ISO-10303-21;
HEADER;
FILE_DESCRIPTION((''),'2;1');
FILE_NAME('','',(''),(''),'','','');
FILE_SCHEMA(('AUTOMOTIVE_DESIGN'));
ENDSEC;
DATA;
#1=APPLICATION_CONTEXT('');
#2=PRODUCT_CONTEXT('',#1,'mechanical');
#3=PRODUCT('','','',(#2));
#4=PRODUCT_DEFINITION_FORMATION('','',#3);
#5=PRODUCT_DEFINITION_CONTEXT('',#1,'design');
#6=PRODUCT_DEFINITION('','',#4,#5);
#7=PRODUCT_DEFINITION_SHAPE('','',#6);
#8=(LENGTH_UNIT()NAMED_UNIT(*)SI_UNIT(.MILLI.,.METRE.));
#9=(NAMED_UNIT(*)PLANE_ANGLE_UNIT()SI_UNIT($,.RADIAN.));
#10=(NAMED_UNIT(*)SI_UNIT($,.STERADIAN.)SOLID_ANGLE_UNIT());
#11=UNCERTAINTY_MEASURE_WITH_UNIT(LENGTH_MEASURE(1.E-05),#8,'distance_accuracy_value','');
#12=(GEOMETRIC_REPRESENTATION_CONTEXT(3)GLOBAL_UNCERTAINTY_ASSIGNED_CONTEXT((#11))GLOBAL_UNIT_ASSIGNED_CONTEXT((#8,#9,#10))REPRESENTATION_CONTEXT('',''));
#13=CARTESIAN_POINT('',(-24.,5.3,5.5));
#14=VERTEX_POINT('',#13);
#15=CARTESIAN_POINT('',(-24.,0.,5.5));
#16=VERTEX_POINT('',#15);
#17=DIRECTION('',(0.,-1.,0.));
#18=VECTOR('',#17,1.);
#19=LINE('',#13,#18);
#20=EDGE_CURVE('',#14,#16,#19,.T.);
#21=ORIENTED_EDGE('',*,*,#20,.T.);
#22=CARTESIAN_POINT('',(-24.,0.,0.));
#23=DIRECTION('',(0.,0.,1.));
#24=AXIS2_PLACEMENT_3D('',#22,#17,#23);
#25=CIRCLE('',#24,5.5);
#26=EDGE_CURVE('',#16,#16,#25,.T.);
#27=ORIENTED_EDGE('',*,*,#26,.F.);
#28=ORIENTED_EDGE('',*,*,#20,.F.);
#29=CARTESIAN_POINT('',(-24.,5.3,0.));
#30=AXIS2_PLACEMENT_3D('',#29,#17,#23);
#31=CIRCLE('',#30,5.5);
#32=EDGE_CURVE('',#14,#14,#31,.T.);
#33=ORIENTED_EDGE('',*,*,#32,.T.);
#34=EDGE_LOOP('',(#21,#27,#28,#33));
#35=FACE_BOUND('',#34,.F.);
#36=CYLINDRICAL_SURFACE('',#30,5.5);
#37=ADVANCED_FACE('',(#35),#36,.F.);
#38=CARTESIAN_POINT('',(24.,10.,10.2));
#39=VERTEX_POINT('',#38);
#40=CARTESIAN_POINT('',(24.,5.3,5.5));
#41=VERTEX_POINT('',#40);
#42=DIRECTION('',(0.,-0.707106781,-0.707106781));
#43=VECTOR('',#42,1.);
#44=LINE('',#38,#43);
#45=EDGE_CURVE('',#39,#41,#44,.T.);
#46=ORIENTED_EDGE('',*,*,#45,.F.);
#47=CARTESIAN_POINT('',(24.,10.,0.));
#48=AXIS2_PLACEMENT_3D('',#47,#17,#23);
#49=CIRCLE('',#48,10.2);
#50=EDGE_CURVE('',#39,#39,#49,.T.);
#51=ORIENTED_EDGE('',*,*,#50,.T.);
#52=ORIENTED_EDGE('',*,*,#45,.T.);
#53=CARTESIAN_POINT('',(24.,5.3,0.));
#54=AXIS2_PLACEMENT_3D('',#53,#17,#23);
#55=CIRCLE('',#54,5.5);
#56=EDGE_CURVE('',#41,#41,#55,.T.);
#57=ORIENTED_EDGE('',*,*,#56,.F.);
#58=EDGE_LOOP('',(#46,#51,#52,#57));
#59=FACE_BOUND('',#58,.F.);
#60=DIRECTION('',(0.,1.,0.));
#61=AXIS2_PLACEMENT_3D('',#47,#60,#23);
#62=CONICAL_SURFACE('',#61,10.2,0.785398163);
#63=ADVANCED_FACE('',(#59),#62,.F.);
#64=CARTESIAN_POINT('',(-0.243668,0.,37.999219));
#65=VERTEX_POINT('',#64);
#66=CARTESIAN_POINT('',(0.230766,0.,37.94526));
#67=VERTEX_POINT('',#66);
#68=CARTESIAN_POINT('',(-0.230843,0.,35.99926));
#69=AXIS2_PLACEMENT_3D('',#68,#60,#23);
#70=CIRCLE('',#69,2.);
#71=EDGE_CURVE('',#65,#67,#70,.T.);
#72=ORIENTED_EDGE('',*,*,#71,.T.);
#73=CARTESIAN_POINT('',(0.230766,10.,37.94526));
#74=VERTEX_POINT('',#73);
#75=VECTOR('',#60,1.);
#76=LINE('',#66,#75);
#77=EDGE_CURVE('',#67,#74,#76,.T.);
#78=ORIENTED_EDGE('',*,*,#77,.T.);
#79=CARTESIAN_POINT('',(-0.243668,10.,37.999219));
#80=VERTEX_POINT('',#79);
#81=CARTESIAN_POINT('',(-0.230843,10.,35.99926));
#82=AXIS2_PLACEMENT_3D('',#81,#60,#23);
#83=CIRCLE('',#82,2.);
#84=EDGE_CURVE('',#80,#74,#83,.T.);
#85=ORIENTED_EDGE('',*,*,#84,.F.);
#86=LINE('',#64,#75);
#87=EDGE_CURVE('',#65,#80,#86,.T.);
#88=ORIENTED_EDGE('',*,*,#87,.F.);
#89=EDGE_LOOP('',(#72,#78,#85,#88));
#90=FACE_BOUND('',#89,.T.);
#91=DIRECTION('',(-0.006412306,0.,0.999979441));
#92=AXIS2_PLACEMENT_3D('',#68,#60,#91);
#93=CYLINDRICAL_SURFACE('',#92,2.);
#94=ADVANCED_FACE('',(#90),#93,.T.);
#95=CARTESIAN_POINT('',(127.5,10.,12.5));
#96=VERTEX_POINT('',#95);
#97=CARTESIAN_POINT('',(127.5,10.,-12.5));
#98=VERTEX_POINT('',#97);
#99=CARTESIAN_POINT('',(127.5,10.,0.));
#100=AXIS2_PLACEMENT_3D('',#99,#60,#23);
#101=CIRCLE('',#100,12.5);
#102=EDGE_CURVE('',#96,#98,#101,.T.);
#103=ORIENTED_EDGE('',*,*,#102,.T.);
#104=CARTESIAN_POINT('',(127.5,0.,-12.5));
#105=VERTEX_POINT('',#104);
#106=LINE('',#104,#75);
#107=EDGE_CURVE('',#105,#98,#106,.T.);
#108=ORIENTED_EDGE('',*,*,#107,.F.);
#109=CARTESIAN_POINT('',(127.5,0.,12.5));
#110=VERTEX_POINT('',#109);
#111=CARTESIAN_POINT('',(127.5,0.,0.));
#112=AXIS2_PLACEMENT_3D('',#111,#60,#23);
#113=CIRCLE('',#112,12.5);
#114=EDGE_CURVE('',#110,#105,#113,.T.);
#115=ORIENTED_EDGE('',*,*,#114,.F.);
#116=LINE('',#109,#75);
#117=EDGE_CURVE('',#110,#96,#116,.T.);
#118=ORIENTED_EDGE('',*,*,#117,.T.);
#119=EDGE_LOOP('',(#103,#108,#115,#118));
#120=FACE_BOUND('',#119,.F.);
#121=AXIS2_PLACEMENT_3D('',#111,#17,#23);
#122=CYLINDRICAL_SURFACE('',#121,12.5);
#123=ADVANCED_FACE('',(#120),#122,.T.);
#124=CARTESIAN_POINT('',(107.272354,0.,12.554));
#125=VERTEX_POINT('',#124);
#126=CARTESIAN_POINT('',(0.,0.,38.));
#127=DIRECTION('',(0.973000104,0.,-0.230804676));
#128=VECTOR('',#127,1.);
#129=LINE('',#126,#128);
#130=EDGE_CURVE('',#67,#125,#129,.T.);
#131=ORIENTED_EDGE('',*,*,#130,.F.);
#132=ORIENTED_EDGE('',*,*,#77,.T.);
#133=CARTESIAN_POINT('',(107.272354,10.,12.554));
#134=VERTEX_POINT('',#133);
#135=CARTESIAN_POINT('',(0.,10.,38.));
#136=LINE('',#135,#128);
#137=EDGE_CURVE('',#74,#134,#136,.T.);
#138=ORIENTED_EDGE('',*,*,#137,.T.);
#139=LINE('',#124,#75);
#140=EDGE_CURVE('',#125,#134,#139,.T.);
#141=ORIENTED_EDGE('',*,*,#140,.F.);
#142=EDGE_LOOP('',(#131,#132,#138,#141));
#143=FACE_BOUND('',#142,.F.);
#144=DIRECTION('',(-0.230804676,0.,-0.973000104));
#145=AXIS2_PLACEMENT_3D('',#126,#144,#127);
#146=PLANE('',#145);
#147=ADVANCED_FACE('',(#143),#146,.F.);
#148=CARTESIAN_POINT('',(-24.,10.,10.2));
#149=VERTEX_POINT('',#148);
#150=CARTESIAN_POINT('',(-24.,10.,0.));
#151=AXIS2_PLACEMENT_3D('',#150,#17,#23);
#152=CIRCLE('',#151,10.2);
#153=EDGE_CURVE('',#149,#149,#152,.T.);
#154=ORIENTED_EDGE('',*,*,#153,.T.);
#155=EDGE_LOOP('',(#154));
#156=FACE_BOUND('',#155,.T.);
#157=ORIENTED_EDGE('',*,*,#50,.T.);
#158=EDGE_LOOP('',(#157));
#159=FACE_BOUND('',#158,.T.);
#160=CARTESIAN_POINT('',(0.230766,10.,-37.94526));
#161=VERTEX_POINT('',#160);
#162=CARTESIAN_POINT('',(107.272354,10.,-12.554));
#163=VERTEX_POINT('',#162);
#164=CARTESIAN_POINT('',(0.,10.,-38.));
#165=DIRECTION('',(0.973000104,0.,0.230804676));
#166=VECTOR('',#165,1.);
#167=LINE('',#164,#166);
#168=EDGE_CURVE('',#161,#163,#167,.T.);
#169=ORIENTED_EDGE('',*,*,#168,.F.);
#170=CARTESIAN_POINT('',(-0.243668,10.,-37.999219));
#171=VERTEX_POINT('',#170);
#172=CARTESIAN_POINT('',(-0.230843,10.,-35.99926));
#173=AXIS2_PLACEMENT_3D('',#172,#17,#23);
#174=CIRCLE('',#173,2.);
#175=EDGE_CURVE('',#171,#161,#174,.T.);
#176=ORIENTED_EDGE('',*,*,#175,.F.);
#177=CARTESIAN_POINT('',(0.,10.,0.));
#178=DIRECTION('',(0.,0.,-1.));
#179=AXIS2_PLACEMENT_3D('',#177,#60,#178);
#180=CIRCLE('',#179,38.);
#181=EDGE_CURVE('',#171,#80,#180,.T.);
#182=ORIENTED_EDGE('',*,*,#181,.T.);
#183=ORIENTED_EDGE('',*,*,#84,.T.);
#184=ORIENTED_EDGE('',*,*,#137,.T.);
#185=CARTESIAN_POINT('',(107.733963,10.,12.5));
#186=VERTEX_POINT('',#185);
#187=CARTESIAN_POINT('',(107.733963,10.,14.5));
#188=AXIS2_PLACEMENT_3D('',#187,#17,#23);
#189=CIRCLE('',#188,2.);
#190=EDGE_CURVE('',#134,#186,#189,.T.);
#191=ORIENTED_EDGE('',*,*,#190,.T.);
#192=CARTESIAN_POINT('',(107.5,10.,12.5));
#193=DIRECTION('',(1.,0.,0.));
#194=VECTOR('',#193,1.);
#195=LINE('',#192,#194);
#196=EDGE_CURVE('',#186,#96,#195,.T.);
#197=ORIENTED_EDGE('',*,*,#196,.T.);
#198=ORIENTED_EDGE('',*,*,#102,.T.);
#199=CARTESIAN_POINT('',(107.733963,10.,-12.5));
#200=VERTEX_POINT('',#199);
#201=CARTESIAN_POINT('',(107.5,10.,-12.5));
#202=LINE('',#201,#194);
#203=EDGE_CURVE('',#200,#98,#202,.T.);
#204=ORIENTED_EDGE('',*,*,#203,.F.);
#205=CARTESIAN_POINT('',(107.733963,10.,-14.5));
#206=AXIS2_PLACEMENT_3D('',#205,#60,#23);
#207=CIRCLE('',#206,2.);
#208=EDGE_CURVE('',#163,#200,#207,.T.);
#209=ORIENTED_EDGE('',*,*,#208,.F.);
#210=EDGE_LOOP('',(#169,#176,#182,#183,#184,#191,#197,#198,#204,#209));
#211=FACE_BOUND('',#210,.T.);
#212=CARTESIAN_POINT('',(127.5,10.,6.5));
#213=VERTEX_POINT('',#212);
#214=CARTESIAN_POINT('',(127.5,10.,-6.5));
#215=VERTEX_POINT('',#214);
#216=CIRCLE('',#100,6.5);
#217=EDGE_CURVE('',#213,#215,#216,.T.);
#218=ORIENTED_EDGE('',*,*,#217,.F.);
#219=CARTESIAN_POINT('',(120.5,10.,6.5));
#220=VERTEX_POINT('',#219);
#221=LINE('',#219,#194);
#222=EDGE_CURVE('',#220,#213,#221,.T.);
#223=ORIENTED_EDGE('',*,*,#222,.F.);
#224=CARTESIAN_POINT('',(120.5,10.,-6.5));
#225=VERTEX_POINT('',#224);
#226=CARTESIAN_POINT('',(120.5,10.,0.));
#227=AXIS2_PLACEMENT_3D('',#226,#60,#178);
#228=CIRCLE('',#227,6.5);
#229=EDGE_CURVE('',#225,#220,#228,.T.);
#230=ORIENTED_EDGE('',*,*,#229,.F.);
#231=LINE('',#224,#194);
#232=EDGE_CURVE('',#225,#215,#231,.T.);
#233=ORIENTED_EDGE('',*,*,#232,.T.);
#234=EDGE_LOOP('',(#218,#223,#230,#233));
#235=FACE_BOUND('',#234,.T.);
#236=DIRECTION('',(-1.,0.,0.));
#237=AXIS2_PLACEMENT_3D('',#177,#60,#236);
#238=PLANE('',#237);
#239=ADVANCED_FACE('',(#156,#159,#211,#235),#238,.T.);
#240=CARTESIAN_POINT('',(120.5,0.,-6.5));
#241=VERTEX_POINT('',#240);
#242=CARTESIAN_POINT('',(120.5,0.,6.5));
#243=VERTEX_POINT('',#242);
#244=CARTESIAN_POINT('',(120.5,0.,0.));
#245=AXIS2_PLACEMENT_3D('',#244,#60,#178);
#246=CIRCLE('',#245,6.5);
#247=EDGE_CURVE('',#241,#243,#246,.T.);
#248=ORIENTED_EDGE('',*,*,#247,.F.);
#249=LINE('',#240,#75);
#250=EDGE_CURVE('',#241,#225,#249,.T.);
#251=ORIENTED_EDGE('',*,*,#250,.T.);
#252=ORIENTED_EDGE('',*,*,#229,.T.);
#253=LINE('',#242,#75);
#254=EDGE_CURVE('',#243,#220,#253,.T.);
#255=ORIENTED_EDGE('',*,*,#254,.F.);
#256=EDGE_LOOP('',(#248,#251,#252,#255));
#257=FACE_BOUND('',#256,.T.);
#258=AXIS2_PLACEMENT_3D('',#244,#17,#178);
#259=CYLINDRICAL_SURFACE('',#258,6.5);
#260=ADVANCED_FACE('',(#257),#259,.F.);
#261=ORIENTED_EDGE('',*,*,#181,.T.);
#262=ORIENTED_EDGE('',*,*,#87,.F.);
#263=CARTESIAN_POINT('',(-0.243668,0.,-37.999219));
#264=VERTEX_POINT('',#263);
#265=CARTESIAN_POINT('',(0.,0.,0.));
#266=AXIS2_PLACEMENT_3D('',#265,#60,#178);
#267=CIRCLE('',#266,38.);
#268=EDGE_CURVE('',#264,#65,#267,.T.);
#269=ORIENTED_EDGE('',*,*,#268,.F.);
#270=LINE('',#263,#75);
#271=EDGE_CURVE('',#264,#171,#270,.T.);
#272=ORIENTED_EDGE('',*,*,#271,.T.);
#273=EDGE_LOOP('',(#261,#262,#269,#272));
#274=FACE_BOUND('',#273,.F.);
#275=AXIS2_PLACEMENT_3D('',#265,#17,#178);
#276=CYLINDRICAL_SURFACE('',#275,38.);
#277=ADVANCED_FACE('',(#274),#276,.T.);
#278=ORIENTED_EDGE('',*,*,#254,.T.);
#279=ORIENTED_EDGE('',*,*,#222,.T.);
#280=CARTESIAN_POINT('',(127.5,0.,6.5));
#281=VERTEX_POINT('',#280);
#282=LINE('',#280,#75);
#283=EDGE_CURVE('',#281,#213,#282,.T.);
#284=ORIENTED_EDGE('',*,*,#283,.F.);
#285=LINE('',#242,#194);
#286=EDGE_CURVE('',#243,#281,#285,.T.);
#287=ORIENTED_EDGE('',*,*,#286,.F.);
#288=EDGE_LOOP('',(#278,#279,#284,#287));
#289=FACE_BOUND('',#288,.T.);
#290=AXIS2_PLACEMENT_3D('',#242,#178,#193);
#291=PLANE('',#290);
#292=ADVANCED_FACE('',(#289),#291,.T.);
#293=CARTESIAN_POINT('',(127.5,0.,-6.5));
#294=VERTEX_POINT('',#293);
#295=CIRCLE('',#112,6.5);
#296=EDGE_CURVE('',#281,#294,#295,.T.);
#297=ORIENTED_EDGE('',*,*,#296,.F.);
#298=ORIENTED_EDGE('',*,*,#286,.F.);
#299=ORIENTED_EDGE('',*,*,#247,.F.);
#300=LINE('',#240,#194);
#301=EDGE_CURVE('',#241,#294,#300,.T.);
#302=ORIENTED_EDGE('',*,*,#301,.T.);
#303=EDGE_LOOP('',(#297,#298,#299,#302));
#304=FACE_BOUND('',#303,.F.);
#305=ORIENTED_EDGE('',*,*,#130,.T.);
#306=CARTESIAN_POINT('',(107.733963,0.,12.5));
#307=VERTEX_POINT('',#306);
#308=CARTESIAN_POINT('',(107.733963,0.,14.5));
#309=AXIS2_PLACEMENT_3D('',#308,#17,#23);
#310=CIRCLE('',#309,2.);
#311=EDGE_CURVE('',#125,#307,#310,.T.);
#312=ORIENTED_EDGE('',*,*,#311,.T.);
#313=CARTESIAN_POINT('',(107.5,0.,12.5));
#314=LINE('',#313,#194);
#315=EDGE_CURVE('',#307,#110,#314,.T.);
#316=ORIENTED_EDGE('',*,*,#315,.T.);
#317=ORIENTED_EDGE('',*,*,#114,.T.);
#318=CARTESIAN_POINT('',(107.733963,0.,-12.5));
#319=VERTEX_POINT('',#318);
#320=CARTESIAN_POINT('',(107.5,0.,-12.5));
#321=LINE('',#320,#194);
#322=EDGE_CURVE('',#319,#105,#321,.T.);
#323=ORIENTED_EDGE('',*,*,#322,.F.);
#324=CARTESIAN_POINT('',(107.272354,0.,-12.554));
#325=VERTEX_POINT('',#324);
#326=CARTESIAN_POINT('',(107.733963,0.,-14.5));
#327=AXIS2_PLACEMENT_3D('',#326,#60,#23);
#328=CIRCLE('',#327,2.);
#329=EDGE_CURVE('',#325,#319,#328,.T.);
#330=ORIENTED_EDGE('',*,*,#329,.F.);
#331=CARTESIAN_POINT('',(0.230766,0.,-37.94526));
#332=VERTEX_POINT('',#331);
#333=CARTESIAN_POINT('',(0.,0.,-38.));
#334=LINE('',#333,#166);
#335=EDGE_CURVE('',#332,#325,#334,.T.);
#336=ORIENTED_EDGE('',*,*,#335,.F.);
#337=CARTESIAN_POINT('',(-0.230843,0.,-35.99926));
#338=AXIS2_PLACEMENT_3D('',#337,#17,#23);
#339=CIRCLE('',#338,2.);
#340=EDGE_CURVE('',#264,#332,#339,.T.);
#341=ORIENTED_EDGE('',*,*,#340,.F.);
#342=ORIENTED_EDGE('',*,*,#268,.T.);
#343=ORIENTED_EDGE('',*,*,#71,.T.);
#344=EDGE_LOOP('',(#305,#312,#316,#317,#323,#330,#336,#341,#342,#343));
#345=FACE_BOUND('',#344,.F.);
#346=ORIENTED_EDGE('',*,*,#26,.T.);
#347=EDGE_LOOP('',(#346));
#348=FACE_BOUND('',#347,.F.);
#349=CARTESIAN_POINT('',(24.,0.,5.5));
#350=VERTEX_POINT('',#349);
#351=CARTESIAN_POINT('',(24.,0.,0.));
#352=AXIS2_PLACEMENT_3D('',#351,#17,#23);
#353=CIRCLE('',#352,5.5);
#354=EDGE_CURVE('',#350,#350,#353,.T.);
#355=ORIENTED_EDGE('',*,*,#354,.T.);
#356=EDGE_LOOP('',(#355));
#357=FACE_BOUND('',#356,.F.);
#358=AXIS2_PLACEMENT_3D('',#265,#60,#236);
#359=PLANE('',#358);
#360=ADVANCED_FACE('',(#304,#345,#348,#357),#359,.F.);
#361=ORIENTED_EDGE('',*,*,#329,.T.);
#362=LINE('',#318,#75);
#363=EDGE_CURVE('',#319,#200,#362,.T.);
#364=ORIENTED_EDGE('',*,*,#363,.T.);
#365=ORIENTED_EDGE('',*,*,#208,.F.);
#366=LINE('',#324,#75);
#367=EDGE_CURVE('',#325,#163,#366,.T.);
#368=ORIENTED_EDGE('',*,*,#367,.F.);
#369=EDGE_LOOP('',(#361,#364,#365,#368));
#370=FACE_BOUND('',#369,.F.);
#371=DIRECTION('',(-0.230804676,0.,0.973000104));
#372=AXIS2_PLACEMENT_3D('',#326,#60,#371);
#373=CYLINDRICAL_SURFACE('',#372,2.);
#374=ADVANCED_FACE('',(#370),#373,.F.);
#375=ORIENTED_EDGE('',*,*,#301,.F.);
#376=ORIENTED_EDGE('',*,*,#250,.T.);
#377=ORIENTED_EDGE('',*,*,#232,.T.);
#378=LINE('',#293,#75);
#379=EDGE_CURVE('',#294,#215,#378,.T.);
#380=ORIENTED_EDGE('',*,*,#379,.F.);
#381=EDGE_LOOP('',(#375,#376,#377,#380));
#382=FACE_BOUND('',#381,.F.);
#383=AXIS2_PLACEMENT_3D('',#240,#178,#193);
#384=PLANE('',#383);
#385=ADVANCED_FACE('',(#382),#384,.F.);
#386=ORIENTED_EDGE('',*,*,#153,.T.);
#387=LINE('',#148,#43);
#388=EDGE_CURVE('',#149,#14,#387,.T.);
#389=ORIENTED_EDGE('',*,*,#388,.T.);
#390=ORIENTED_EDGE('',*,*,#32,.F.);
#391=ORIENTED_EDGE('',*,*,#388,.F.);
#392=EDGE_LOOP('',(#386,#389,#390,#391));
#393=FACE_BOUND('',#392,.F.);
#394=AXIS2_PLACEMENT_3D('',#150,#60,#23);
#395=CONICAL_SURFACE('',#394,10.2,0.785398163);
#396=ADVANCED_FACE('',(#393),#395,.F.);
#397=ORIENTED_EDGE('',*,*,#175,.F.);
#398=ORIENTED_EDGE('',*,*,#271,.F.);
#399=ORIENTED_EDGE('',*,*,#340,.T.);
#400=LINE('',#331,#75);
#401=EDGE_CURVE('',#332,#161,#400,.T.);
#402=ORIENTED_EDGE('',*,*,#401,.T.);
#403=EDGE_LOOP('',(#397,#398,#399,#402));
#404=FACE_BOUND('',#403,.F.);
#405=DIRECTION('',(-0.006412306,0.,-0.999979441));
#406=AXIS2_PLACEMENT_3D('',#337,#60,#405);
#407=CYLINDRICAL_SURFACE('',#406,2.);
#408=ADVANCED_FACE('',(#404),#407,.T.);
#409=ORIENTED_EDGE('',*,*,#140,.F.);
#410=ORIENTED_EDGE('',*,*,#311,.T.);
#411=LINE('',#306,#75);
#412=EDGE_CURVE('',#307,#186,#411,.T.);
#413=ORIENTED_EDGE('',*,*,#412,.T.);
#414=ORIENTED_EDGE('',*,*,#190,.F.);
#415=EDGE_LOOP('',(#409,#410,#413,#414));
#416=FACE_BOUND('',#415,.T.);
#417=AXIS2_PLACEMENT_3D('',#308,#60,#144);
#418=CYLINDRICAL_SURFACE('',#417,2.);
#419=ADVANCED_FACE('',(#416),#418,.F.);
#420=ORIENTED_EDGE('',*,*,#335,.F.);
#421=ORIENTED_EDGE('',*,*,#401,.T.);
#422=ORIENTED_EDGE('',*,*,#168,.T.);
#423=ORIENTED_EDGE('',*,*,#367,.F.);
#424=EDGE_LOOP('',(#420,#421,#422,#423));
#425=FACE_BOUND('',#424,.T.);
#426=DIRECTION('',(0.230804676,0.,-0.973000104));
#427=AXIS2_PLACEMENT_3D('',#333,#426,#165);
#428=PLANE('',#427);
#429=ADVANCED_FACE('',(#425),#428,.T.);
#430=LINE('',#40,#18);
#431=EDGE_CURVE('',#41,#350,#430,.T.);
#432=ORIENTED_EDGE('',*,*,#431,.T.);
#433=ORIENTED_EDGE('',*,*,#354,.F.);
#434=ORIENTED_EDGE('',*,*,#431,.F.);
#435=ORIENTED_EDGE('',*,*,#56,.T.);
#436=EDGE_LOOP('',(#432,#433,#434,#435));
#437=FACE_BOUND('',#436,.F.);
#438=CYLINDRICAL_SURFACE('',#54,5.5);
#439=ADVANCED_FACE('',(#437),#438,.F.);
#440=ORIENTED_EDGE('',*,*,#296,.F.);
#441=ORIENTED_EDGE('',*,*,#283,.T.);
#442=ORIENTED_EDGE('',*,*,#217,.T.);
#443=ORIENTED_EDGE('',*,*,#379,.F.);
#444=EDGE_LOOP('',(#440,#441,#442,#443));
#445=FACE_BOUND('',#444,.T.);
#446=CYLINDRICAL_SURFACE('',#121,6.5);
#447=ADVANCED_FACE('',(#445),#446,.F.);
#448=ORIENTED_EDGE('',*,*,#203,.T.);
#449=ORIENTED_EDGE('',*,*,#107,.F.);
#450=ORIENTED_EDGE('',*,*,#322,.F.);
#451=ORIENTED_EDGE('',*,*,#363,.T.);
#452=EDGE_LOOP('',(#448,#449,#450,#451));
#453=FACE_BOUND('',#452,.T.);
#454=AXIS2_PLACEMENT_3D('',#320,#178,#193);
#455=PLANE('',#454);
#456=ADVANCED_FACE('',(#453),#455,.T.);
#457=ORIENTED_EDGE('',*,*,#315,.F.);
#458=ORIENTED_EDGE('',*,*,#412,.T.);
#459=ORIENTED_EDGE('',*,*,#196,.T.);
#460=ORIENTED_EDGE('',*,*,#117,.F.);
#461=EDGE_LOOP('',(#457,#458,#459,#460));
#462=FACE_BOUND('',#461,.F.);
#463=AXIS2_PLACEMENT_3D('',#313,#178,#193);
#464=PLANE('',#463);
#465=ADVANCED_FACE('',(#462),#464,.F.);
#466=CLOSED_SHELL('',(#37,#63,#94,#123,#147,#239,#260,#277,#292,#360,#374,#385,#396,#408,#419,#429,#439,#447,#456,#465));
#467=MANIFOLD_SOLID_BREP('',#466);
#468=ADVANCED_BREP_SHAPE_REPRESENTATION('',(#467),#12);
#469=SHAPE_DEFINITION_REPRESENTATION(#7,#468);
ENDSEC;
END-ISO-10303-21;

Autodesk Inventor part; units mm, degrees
ref_plane "YZ Plane" through (0, 0, 0) normal (1, 0, 0) x (0, 1, 0)
ref_plane "XZ Plane" through (0, 0, 0) normal (0, 1, 0) x (-1, 0, 0)
ref_plane "XY Plane" through (0, 0, 0) normal (0, 0, 1) x (1, 0, 0)
sketch "Эскиз1" plane through (0, 0, 0) normal (0, 1, 0) x (-1, 0, 0)
  arc A0 (0, -38) -> (0, 38) centre (0, 0) ccw
  line L0 (0, 38) -> (-107.5, 12.5)
  line L1 (0, -38) -> (-107.5, -12.5)
  line L2 (0, -53.2) -> (0, 53.2) projected
  line L3 (-107.5, 12.5) -> (-127.5, 12.5)
  line L4 (-107.5, -12.5) -> (-127.5, -12.5)
  arc A1 (-127.5, 12.5) -> (-127.5, -12.5) centre (-127.5, 0) ccw
  line L5 (-120.5, 6.5) -> (-127.5, 6.5)
  line L6 (-120.5, -6.5) -> (-127.5, -6.5)
  arc A2 (-120.5, -6.5) -> (-120.5, 6.5) centre (-120.5, 0) ccw
  arc A3 (-127.5, 6.5) -> (-127.5, -6.5) centre (-127.5, 0) ccw
  point P0 (-117.5, 12.5)
  dimension "d0" = 38
  dimension "d7" = 20
  dimension "d8" = 25
  dimension "d9" = 127.5
  dimension "d10" = 12.5
  dimension "d11" = 13
  dimension "d12" = 7
extrude "Выдавливание1" add sketch "Эскиз1" along normal blind 10
sketch "Эскиз2" plane through (0, 10, 0) normal (0, 1, 0) x (1, 0, 0)
  point P0 (0, 0)
  point P1 (-24, 0)
  point P2 (24, 0)
  dimension "d15" = 24
  dimension "d16" = 48
hole "Отверстие1" at (-24, 10, 0) at (24, 10, 0) direction (0, -1, 0) diameter 11 end through all countersink diameter 20.4 countersink angle 90 clearance for "Винт крепежный с полупотайной головкой" size "M10" standard "ANSI метрическая"
fillet "Сопряжение1" radius 2 4 edges at (0, 5, 38) (0, 5, -38) (107.5, 5, -12.5) (107.5, 5, 12.5)
